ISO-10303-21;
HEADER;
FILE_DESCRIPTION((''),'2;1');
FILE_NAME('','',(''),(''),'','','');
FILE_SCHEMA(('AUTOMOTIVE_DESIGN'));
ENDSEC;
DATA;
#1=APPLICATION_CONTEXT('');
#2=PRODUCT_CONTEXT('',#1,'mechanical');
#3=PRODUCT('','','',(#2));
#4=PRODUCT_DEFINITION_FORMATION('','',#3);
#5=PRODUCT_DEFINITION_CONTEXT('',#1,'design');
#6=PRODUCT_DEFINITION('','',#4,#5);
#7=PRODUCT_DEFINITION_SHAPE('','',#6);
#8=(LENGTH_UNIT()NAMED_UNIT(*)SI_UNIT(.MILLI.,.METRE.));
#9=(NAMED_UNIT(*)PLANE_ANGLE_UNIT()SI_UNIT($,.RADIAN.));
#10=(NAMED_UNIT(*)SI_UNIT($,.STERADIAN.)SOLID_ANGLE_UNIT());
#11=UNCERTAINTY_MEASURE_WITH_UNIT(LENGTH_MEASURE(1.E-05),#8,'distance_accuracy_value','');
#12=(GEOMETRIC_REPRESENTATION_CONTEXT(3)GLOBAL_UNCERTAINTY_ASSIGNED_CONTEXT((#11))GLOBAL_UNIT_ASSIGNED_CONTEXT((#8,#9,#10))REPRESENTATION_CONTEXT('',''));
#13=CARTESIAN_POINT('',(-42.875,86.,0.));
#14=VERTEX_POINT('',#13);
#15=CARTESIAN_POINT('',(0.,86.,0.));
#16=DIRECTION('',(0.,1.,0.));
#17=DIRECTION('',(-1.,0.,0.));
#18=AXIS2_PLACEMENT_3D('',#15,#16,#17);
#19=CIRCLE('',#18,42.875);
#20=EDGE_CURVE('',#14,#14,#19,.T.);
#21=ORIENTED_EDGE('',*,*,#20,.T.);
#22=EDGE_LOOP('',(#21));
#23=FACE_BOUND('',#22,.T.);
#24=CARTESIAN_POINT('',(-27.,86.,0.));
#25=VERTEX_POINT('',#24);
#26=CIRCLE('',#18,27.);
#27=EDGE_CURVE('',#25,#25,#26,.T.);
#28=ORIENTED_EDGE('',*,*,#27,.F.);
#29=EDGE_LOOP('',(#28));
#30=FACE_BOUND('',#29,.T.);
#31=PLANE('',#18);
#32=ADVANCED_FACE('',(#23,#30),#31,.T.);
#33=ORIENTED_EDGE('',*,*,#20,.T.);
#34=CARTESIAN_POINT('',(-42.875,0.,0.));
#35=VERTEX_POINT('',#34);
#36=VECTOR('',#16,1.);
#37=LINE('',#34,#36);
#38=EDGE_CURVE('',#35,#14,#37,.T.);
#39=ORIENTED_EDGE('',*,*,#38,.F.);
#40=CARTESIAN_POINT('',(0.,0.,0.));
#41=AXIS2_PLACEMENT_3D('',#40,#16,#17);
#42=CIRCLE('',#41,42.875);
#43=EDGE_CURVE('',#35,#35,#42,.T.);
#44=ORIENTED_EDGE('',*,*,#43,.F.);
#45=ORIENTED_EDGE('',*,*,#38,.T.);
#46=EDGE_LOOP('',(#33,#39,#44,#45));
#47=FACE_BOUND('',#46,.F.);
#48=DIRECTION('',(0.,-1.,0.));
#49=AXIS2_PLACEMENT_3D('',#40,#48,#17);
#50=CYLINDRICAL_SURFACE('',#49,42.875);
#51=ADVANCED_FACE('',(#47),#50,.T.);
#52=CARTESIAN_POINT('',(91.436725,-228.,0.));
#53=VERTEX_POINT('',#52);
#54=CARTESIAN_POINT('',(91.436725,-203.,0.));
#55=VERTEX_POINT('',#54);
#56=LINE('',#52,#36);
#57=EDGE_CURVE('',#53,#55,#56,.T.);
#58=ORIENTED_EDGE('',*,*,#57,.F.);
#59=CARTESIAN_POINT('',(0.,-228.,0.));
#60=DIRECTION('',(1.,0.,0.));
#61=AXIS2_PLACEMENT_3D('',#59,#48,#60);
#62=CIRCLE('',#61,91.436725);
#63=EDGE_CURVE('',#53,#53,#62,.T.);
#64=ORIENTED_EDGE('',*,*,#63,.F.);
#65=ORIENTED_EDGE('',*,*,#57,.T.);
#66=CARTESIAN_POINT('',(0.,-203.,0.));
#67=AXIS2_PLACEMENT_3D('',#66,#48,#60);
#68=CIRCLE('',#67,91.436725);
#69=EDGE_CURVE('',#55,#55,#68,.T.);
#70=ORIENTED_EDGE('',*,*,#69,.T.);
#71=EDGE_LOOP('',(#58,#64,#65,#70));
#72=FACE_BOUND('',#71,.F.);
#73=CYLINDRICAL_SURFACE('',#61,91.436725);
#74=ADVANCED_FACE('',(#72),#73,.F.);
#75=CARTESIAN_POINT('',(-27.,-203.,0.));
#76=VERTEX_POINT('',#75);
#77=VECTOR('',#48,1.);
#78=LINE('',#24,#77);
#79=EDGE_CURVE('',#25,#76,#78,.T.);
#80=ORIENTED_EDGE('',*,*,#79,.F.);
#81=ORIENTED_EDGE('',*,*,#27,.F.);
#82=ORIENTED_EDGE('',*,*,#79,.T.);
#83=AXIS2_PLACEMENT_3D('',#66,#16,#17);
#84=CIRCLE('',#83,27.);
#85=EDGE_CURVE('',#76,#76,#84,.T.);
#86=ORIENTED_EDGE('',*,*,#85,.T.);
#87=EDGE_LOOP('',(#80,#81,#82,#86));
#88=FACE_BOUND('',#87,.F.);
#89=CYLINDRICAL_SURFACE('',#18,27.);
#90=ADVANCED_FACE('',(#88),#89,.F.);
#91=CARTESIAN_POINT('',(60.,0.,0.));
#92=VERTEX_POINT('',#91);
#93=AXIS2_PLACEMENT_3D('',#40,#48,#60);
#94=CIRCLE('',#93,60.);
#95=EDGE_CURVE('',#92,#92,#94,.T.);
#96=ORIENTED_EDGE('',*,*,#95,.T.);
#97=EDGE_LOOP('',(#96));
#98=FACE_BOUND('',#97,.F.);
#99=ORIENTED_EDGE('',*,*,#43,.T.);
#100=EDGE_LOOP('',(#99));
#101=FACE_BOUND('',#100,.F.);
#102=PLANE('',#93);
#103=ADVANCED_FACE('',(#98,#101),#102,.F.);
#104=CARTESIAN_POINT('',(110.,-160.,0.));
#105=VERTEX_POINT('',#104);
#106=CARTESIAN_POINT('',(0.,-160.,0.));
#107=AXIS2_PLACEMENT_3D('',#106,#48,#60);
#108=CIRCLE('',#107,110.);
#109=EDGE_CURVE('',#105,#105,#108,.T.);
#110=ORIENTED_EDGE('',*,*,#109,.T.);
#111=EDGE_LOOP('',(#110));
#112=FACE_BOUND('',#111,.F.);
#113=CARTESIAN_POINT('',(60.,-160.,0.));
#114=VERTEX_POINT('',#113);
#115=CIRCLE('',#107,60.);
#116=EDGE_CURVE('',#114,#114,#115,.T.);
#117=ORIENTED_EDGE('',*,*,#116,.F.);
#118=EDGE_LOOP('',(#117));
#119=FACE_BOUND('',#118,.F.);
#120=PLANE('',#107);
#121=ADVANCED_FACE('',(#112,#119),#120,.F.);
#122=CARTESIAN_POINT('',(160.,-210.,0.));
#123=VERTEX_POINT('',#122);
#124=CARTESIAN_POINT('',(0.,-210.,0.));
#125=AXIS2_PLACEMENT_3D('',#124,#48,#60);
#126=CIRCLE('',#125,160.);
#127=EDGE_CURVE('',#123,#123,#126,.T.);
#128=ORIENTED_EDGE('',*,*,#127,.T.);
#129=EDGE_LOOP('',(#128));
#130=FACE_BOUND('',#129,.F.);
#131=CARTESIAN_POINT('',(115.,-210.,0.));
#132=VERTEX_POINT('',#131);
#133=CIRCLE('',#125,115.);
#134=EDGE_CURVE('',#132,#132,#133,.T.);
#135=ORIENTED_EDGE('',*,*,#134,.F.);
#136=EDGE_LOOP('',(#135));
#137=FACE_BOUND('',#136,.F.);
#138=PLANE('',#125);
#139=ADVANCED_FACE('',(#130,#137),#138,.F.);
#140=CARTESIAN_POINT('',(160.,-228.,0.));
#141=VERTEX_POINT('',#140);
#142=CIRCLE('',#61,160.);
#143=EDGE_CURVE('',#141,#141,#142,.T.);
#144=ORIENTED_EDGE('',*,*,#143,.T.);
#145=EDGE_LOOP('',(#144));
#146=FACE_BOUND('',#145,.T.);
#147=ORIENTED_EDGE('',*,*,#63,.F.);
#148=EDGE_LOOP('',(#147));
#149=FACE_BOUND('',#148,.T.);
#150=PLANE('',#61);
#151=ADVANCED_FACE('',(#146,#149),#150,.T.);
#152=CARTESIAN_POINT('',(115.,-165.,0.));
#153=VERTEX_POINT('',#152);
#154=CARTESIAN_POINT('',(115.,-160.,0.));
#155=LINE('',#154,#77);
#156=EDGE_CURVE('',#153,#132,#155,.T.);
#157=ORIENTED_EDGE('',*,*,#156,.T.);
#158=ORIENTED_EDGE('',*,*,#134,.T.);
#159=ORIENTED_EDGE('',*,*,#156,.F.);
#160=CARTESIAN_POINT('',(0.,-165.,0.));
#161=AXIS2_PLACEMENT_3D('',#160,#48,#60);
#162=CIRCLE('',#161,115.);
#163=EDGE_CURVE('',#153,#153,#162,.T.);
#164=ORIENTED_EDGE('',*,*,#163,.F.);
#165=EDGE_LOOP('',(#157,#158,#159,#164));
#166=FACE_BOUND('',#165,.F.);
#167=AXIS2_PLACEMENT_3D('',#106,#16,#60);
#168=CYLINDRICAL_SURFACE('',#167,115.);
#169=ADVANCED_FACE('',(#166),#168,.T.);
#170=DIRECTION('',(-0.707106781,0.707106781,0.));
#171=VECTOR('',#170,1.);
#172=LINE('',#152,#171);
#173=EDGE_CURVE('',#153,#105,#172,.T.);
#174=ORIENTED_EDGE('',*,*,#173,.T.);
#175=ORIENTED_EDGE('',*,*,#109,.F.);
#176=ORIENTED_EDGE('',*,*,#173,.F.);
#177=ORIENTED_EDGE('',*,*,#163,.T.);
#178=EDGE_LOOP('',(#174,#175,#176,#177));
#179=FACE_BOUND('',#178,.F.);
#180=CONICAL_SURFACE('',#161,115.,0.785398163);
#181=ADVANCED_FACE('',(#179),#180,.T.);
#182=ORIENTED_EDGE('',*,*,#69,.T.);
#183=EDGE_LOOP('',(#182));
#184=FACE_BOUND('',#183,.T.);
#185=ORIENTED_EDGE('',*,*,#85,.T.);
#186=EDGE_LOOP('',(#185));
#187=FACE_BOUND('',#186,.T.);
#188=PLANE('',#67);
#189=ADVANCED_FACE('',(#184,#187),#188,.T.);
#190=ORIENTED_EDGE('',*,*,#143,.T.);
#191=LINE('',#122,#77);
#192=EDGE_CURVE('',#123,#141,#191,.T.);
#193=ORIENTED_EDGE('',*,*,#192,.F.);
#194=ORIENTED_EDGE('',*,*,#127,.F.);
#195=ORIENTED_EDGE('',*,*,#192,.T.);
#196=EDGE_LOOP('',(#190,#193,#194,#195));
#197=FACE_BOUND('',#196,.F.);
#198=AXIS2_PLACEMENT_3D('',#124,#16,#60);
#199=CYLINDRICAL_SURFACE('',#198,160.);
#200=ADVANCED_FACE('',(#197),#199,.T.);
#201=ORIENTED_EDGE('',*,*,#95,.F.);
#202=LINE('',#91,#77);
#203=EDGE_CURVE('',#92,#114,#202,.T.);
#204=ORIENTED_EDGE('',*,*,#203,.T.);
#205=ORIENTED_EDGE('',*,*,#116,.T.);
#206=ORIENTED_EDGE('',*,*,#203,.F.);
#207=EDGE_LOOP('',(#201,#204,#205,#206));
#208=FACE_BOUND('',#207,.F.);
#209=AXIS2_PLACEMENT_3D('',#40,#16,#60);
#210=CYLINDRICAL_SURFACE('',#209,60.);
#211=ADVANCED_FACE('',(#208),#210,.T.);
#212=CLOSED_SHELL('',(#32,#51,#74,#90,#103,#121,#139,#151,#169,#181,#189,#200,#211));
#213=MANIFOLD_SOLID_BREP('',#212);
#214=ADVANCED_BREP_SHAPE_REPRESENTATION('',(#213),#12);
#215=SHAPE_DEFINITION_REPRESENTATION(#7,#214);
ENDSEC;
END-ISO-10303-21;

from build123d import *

# Parameters (mm, degrees)
F0_R      = 60
F1_DEPTH  = 160
F2_R      = 115
F3_DEPTH  = 50
F4_R      = 160
F5_DEPTH  = 18
F6_SIZE   = 5
F7_R      = 42.875
F8_DEPTH  = 86
F9_R      = 27
F10_DEPTH = 430
F11_R     = 91.436725
F12_DEPTH = 25


with BuildPart() as f1:
    # F0 (on Front) → F1 (new body)
    with BuildSketch(Plane.XZ):
        Circle(F0_R)
    extrude(amount=F1_DEPTH)

    # F2 (on face) → F3 (join)
    with BuildSketch(Plane.XZ.offset(160)):
        Circle(F2_R)
    extrude(amount=F3_DEPTH)

    # F4 (on face) → F5 (join)
    with BuildSketch(Plane.XZ.offset(210)):
        Circle(F4_R)
    extrude(amount=F5_DEPTH)

    # F6
    f6_edges = [f1.edges().sort_by_distance(p)[0] for p in [
        (-115, -160, 0),
    ]]
    chamfer(f6_edges, length=F6_SIZE)

    # F7 (on face) → F8 (join)
    with BuildSketch(Plane(origin=(0, 0, 0), x_dir=(-1, 0, 0), z_dir=(0, 1, 0))):
        Circle(F7_R)
    extrude(amount=F8_DEPTH)

    # F9 (on face) → F10 (cut)
    with BuildSketch(Plane(origin=(0, 86, 0), x_dir=(-1, 0, 0), z_dir=(0, 1, 0))):
        Circle(F9_R)
    extrude(amount=-F10_DEPTH, mode=Mode.SUBTRACT)

    # F11 (on face) → F12 (cut)
    with BuildSketch(Plane.XZ.offset(228)):
        Circle(F11_R)
    extrude(amount=-F12_DEPTH, mode=Mode.SUBTRACT)


solid = f1.part
